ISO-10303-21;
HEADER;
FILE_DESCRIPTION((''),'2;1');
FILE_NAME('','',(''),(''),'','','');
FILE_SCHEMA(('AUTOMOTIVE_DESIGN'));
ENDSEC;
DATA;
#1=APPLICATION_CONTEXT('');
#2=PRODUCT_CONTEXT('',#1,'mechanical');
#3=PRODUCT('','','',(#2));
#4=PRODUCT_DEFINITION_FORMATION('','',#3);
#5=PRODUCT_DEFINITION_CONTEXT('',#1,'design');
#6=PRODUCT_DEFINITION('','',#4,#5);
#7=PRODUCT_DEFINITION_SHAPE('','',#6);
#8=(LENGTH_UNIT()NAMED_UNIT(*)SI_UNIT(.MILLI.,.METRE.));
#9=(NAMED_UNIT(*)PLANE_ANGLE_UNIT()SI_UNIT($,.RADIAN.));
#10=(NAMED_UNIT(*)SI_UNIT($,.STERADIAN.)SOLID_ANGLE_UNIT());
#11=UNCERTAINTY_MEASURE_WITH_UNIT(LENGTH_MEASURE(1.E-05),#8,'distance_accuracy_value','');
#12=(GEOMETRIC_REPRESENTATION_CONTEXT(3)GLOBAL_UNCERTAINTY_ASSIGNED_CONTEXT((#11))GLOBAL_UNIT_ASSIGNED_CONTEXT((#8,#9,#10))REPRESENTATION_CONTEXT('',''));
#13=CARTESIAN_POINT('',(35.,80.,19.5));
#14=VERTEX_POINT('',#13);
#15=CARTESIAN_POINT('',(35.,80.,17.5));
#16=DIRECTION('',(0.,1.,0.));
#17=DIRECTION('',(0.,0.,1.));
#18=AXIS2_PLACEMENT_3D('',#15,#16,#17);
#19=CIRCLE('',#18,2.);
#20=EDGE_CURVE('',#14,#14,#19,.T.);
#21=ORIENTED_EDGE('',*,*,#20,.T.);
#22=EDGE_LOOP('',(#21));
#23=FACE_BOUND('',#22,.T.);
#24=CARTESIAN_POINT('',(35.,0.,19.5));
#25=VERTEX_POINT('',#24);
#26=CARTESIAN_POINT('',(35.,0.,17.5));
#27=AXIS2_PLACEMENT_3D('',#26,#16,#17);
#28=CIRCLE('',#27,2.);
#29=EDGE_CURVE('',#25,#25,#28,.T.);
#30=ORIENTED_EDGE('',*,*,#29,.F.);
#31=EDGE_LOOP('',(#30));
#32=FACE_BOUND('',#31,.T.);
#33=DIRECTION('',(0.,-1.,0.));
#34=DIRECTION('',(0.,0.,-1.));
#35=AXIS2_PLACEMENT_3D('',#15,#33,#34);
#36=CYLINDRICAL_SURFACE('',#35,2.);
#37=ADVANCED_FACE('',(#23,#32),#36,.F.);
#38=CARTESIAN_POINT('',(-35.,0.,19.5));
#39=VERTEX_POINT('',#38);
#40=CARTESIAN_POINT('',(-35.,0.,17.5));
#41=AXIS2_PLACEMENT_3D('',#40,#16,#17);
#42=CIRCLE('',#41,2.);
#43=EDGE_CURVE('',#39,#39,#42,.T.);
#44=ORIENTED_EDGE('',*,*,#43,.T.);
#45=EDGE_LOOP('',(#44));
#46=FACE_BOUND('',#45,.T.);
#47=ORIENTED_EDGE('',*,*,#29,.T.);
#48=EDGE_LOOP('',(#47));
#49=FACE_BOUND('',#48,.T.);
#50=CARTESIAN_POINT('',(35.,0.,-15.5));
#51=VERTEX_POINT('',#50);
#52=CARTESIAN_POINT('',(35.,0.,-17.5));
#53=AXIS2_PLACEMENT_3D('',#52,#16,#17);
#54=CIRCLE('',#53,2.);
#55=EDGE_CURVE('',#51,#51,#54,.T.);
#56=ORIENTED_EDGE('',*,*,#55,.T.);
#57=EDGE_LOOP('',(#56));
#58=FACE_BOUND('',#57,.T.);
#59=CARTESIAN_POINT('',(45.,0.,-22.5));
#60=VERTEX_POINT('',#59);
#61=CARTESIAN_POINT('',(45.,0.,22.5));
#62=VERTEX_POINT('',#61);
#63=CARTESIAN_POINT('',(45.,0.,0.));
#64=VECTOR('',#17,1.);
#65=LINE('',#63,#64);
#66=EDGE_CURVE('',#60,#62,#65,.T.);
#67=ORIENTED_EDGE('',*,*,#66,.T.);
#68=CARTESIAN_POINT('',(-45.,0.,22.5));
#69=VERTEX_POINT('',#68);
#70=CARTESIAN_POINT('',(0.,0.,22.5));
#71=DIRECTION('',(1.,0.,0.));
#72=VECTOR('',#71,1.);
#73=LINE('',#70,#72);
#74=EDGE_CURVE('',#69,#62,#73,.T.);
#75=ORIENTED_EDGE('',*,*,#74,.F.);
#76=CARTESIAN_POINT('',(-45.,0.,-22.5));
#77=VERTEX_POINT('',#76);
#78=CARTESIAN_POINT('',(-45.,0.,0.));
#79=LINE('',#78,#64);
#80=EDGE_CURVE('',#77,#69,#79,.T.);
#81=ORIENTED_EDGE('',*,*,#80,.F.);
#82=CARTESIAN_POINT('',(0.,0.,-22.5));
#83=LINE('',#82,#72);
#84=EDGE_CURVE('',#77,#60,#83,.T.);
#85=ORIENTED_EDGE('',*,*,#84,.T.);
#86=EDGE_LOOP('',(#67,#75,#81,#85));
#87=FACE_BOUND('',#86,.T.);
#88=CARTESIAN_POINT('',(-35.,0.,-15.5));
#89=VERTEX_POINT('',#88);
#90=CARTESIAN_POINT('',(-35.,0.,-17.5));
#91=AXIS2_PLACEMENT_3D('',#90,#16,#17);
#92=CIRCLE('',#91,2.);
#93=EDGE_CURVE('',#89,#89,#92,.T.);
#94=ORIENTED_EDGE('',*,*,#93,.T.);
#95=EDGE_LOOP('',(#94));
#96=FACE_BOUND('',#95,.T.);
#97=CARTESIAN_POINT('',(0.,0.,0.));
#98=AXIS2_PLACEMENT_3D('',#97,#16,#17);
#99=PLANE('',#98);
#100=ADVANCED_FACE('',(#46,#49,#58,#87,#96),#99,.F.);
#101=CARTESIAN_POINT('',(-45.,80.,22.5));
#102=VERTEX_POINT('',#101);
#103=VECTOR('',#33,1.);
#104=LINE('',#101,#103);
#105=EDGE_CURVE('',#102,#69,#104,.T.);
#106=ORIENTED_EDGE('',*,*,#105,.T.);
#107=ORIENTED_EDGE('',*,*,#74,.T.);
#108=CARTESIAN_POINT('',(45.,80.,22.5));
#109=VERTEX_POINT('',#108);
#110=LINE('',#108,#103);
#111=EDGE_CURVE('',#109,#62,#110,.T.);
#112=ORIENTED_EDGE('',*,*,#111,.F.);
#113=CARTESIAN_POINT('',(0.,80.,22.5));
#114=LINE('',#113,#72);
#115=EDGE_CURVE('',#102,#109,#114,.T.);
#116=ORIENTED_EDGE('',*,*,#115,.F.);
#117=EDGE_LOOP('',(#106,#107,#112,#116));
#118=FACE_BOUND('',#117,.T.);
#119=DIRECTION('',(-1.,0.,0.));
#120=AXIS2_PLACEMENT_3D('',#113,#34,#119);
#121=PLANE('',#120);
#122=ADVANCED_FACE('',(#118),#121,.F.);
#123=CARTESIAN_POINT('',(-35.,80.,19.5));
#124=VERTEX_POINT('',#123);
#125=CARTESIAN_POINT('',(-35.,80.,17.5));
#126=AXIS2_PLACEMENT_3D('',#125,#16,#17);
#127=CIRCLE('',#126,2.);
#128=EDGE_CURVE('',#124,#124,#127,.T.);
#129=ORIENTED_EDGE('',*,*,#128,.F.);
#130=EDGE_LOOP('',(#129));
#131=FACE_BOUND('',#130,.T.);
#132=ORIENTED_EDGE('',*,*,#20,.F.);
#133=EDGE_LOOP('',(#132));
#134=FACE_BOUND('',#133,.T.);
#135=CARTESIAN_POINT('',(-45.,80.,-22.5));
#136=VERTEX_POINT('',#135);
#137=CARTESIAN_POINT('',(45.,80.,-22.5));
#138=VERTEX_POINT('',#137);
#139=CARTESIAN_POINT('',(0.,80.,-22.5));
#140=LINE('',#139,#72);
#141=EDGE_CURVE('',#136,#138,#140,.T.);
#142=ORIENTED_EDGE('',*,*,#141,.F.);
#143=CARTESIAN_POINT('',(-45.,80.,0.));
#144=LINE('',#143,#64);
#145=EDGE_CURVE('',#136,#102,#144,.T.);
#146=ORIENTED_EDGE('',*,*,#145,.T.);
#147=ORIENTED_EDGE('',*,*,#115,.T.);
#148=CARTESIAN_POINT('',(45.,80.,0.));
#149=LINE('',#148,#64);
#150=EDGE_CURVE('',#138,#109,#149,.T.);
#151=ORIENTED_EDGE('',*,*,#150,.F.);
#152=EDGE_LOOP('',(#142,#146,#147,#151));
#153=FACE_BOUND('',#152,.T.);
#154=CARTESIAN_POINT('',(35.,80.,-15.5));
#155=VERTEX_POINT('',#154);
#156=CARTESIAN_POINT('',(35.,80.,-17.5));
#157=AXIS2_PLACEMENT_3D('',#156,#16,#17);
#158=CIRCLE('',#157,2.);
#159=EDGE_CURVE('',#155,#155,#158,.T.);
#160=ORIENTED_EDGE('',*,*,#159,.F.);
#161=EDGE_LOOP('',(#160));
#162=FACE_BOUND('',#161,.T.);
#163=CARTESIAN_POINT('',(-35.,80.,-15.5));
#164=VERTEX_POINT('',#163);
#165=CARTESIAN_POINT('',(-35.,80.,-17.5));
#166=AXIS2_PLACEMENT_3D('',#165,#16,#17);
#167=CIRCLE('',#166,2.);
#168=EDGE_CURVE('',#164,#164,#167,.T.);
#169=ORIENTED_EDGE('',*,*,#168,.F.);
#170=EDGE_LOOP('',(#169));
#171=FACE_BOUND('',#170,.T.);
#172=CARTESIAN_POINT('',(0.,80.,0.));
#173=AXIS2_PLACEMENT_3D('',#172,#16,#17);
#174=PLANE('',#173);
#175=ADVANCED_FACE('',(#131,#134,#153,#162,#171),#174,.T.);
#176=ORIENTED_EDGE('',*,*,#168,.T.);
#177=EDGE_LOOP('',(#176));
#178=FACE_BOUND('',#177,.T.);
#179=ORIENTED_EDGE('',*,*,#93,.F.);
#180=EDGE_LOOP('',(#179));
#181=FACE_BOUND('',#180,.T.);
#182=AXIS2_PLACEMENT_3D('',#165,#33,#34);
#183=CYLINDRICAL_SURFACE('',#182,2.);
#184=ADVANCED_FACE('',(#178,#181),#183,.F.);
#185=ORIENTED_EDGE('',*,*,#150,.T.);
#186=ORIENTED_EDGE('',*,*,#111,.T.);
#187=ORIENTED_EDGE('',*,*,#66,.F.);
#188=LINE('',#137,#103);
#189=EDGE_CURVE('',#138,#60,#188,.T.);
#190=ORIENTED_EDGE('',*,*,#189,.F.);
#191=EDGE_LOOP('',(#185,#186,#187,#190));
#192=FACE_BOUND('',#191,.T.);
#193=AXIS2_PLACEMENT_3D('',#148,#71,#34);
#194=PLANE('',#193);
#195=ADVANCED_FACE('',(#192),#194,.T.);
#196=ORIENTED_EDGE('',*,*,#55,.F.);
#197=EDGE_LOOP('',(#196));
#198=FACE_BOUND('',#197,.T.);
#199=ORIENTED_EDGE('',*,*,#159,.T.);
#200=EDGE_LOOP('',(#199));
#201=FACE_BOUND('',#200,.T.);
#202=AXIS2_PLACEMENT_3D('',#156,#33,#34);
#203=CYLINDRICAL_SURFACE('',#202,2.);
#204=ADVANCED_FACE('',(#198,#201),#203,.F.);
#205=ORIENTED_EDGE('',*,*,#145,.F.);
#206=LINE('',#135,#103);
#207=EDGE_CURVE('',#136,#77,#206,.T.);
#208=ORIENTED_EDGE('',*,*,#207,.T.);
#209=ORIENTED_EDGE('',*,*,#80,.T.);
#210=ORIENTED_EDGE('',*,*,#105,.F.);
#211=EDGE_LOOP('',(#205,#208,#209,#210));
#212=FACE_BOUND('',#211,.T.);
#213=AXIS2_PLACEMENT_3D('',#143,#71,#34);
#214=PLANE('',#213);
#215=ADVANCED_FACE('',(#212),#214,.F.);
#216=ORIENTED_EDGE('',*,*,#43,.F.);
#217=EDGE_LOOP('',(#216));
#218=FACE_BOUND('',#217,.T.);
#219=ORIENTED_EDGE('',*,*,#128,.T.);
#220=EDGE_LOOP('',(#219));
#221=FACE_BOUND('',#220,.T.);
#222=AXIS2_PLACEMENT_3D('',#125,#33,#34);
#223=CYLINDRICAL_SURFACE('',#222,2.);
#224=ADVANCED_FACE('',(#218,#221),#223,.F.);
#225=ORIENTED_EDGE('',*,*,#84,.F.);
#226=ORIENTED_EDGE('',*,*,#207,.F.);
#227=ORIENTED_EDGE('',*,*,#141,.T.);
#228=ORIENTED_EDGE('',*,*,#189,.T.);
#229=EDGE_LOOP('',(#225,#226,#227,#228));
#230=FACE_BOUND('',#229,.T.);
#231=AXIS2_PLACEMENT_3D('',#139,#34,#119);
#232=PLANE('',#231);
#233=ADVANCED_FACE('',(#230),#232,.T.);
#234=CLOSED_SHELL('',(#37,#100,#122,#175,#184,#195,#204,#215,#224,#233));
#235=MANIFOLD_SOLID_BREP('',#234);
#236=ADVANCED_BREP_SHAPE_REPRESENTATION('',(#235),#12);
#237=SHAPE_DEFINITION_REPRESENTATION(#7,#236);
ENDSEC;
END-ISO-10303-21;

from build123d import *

# Parameters (mm, degrees)
SKETCH_1_W      = 90
SKETCH_1_H      = 45
SKETCH_1_R      = 2
EXTRUDE_1_DEPTH = 80


with BuildPart() as part:
    # 草图1 → 凸台-拉伸1 (new body)
    with BuildSketch(Plane(origin=(0, 0, 0), x_dir=(1, 0, 0), z_dir=(0, 1, 0))):
        Rectangle(SKETCH_1_W, SKETCH_1_H)
        with Locations(Location((-35, 17.5, 0), (0, 0, 270))):
            Circle(SKETCH_1_R, mode=Mode.SUBTRACT)
        with Locations(Location((-35, -17.5, 0), (0, 0, 270))):
            Circle(SKETCH_1_R, mode=Mode.SUBTRACT)
        with Locations(Location((35, -17.5, 0), (0, 0, 270))):
            Circle(SKETCH_1_R, mode=Mode.SUBTRACT)
        with Locations(Location((35, 17.5, 0), (0, 0, 270))):
            Circle(SKETCH_1_R, mode=Mode.SUBTRACT)
    extrude(amount=EXTRUDE_1_DEPTH)


solid = part.part
